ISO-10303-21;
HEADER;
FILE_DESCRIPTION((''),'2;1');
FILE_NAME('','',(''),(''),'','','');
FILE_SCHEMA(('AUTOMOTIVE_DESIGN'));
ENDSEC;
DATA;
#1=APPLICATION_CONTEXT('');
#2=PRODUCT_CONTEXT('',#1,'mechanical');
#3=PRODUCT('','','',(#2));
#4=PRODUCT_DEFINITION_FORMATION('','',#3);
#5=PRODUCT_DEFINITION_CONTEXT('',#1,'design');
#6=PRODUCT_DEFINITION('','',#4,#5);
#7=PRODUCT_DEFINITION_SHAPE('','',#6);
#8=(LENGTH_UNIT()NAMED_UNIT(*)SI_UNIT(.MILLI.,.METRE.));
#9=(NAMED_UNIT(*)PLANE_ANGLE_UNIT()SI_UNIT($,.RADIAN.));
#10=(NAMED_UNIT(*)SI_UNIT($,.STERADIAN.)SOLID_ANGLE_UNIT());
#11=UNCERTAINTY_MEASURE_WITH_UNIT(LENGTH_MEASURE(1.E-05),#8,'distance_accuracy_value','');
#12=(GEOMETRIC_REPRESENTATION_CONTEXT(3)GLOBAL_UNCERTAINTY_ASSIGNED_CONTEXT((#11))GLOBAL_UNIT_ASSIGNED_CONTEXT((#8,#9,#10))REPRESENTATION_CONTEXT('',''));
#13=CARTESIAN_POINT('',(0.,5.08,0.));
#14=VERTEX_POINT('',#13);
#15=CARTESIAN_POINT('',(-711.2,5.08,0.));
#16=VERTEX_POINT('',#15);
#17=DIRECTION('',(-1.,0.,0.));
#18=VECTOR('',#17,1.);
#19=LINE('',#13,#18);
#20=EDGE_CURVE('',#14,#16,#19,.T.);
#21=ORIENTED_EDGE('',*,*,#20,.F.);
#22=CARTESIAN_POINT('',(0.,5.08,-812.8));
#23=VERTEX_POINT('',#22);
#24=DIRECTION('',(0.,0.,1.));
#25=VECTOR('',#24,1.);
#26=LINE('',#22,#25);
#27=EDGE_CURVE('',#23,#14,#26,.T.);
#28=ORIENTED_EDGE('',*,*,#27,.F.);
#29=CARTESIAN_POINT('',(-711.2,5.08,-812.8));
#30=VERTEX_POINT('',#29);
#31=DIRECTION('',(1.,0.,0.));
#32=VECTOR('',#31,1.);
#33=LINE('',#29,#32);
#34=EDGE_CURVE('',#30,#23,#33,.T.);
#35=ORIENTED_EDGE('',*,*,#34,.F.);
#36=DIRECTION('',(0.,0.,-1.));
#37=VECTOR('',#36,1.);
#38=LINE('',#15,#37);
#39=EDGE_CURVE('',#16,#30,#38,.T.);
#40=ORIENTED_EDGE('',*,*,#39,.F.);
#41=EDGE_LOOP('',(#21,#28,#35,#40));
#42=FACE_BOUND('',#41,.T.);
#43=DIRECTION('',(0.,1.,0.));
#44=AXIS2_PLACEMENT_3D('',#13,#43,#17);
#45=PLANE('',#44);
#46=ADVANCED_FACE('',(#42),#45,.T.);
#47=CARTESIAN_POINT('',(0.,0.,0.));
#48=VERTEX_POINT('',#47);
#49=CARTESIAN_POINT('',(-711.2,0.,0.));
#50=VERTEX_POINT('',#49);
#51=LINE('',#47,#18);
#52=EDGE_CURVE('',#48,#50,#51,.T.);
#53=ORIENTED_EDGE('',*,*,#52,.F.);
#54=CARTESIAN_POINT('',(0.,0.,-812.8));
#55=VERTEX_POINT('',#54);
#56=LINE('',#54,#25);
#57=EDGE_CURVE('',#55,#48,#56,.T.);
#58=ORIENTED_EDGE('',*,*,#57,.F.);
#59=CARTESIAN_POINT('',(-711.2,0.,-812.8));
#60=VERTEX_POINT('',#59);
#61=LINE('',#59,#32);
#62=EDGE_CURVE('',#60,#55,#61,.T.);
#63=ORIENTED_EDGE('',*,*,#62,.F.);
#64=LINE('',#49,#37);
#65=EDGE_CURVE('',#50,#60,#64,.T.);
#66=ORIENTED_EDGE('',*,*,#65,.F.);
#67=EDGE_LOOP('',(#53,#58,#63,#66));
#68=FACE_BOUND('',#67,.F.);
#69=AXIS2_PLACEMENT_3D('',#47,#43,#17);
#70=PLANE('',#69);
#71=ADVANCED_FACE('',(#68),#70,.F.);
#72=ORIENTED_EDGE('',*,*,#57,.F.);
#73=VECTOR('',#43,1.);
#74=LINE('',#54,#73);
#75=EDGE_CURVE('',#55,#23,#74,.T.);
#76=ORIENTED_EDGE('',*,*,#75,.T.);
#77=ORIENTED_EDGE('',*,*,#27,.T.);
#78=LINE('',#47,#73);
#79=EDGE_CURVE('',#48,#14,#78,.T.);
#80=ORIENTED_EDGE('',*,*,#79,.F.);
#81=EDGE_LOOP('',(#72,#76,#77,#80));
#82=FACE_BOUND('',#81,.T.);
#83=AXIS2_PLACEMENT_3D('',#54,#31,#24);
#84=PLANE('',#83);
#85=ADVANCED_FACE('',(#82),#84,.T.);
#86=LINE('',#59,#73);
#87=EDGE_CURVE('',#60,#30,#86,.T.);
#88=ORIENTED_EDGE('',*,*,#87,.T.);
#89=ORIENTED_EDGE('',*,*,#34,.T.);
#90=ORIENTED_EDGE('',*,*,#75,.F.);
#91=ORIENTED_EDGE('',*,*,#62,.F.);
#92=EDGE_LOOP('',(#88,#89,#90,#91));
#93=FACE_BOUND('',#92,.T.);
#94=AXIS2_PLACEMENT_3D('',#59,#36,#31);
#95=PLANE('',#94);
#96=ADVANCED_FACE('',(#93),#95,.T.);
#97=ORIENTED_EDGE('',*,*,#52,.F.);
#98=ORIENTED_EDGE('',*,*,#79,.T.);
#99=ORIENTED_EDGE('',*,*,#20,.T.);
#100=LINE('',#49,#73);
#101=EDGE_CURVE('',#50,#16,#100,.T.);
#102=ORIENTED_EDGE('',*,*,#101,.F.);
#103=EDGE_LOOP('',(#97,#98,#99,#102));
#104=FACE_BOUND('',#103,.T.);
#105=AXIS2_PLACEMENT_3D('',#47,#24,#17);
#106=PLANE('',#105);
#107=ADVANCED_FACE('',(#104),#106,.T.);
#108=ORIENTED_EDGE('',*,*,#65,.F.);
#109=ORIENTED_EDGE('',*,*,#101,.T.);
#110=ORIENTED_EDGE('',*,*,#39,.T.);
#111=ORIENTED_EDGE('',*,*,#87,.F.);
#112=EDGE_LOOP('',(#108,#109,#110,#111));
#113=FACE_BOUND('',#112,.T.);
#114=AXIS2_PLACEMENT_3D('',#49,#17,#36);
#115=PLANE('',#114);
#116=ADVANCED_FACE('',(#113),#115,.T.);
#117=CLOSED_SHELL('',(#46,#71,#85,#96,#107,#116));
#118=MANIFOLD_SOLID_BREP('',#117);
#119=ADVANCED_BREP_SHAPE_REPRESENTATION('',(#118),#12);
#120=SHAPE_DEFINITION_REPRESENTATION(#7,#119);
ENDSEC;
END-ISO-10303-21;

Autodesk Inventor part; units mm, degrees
ref_plane "YZ Plane" through (0, 0, 0) normal (1, 0, 0) x (0, 1, 0)
ref_plane "XZ Plane" through (0, 0, 0) normal (0, 1, 0) x (-1, 0, 0)
ref_plane "XY Plane" through (0, 0, 0) normal (0, 0, 1) x (1, 0, 0)
sketch "Sketch1" plane through (0, 0, 0) normal (0, 1, 0) x (-1, 0, 0)
  line L0 (0, 0) -> (711.2, 0)
  line L1 (711.2, 0) -> (711.2, -812.8)
  line L2 (711.2, -812.8) -> (0, -812.8)
  line L3 (0, -812.8) -> (0, 0)
  dimension "d0" = 711.2
  dimension "d1" = 812.8
extrude "Extrusion1" add sketch "Sketch1" along normal blind 5.08
properties part number "Frame"
